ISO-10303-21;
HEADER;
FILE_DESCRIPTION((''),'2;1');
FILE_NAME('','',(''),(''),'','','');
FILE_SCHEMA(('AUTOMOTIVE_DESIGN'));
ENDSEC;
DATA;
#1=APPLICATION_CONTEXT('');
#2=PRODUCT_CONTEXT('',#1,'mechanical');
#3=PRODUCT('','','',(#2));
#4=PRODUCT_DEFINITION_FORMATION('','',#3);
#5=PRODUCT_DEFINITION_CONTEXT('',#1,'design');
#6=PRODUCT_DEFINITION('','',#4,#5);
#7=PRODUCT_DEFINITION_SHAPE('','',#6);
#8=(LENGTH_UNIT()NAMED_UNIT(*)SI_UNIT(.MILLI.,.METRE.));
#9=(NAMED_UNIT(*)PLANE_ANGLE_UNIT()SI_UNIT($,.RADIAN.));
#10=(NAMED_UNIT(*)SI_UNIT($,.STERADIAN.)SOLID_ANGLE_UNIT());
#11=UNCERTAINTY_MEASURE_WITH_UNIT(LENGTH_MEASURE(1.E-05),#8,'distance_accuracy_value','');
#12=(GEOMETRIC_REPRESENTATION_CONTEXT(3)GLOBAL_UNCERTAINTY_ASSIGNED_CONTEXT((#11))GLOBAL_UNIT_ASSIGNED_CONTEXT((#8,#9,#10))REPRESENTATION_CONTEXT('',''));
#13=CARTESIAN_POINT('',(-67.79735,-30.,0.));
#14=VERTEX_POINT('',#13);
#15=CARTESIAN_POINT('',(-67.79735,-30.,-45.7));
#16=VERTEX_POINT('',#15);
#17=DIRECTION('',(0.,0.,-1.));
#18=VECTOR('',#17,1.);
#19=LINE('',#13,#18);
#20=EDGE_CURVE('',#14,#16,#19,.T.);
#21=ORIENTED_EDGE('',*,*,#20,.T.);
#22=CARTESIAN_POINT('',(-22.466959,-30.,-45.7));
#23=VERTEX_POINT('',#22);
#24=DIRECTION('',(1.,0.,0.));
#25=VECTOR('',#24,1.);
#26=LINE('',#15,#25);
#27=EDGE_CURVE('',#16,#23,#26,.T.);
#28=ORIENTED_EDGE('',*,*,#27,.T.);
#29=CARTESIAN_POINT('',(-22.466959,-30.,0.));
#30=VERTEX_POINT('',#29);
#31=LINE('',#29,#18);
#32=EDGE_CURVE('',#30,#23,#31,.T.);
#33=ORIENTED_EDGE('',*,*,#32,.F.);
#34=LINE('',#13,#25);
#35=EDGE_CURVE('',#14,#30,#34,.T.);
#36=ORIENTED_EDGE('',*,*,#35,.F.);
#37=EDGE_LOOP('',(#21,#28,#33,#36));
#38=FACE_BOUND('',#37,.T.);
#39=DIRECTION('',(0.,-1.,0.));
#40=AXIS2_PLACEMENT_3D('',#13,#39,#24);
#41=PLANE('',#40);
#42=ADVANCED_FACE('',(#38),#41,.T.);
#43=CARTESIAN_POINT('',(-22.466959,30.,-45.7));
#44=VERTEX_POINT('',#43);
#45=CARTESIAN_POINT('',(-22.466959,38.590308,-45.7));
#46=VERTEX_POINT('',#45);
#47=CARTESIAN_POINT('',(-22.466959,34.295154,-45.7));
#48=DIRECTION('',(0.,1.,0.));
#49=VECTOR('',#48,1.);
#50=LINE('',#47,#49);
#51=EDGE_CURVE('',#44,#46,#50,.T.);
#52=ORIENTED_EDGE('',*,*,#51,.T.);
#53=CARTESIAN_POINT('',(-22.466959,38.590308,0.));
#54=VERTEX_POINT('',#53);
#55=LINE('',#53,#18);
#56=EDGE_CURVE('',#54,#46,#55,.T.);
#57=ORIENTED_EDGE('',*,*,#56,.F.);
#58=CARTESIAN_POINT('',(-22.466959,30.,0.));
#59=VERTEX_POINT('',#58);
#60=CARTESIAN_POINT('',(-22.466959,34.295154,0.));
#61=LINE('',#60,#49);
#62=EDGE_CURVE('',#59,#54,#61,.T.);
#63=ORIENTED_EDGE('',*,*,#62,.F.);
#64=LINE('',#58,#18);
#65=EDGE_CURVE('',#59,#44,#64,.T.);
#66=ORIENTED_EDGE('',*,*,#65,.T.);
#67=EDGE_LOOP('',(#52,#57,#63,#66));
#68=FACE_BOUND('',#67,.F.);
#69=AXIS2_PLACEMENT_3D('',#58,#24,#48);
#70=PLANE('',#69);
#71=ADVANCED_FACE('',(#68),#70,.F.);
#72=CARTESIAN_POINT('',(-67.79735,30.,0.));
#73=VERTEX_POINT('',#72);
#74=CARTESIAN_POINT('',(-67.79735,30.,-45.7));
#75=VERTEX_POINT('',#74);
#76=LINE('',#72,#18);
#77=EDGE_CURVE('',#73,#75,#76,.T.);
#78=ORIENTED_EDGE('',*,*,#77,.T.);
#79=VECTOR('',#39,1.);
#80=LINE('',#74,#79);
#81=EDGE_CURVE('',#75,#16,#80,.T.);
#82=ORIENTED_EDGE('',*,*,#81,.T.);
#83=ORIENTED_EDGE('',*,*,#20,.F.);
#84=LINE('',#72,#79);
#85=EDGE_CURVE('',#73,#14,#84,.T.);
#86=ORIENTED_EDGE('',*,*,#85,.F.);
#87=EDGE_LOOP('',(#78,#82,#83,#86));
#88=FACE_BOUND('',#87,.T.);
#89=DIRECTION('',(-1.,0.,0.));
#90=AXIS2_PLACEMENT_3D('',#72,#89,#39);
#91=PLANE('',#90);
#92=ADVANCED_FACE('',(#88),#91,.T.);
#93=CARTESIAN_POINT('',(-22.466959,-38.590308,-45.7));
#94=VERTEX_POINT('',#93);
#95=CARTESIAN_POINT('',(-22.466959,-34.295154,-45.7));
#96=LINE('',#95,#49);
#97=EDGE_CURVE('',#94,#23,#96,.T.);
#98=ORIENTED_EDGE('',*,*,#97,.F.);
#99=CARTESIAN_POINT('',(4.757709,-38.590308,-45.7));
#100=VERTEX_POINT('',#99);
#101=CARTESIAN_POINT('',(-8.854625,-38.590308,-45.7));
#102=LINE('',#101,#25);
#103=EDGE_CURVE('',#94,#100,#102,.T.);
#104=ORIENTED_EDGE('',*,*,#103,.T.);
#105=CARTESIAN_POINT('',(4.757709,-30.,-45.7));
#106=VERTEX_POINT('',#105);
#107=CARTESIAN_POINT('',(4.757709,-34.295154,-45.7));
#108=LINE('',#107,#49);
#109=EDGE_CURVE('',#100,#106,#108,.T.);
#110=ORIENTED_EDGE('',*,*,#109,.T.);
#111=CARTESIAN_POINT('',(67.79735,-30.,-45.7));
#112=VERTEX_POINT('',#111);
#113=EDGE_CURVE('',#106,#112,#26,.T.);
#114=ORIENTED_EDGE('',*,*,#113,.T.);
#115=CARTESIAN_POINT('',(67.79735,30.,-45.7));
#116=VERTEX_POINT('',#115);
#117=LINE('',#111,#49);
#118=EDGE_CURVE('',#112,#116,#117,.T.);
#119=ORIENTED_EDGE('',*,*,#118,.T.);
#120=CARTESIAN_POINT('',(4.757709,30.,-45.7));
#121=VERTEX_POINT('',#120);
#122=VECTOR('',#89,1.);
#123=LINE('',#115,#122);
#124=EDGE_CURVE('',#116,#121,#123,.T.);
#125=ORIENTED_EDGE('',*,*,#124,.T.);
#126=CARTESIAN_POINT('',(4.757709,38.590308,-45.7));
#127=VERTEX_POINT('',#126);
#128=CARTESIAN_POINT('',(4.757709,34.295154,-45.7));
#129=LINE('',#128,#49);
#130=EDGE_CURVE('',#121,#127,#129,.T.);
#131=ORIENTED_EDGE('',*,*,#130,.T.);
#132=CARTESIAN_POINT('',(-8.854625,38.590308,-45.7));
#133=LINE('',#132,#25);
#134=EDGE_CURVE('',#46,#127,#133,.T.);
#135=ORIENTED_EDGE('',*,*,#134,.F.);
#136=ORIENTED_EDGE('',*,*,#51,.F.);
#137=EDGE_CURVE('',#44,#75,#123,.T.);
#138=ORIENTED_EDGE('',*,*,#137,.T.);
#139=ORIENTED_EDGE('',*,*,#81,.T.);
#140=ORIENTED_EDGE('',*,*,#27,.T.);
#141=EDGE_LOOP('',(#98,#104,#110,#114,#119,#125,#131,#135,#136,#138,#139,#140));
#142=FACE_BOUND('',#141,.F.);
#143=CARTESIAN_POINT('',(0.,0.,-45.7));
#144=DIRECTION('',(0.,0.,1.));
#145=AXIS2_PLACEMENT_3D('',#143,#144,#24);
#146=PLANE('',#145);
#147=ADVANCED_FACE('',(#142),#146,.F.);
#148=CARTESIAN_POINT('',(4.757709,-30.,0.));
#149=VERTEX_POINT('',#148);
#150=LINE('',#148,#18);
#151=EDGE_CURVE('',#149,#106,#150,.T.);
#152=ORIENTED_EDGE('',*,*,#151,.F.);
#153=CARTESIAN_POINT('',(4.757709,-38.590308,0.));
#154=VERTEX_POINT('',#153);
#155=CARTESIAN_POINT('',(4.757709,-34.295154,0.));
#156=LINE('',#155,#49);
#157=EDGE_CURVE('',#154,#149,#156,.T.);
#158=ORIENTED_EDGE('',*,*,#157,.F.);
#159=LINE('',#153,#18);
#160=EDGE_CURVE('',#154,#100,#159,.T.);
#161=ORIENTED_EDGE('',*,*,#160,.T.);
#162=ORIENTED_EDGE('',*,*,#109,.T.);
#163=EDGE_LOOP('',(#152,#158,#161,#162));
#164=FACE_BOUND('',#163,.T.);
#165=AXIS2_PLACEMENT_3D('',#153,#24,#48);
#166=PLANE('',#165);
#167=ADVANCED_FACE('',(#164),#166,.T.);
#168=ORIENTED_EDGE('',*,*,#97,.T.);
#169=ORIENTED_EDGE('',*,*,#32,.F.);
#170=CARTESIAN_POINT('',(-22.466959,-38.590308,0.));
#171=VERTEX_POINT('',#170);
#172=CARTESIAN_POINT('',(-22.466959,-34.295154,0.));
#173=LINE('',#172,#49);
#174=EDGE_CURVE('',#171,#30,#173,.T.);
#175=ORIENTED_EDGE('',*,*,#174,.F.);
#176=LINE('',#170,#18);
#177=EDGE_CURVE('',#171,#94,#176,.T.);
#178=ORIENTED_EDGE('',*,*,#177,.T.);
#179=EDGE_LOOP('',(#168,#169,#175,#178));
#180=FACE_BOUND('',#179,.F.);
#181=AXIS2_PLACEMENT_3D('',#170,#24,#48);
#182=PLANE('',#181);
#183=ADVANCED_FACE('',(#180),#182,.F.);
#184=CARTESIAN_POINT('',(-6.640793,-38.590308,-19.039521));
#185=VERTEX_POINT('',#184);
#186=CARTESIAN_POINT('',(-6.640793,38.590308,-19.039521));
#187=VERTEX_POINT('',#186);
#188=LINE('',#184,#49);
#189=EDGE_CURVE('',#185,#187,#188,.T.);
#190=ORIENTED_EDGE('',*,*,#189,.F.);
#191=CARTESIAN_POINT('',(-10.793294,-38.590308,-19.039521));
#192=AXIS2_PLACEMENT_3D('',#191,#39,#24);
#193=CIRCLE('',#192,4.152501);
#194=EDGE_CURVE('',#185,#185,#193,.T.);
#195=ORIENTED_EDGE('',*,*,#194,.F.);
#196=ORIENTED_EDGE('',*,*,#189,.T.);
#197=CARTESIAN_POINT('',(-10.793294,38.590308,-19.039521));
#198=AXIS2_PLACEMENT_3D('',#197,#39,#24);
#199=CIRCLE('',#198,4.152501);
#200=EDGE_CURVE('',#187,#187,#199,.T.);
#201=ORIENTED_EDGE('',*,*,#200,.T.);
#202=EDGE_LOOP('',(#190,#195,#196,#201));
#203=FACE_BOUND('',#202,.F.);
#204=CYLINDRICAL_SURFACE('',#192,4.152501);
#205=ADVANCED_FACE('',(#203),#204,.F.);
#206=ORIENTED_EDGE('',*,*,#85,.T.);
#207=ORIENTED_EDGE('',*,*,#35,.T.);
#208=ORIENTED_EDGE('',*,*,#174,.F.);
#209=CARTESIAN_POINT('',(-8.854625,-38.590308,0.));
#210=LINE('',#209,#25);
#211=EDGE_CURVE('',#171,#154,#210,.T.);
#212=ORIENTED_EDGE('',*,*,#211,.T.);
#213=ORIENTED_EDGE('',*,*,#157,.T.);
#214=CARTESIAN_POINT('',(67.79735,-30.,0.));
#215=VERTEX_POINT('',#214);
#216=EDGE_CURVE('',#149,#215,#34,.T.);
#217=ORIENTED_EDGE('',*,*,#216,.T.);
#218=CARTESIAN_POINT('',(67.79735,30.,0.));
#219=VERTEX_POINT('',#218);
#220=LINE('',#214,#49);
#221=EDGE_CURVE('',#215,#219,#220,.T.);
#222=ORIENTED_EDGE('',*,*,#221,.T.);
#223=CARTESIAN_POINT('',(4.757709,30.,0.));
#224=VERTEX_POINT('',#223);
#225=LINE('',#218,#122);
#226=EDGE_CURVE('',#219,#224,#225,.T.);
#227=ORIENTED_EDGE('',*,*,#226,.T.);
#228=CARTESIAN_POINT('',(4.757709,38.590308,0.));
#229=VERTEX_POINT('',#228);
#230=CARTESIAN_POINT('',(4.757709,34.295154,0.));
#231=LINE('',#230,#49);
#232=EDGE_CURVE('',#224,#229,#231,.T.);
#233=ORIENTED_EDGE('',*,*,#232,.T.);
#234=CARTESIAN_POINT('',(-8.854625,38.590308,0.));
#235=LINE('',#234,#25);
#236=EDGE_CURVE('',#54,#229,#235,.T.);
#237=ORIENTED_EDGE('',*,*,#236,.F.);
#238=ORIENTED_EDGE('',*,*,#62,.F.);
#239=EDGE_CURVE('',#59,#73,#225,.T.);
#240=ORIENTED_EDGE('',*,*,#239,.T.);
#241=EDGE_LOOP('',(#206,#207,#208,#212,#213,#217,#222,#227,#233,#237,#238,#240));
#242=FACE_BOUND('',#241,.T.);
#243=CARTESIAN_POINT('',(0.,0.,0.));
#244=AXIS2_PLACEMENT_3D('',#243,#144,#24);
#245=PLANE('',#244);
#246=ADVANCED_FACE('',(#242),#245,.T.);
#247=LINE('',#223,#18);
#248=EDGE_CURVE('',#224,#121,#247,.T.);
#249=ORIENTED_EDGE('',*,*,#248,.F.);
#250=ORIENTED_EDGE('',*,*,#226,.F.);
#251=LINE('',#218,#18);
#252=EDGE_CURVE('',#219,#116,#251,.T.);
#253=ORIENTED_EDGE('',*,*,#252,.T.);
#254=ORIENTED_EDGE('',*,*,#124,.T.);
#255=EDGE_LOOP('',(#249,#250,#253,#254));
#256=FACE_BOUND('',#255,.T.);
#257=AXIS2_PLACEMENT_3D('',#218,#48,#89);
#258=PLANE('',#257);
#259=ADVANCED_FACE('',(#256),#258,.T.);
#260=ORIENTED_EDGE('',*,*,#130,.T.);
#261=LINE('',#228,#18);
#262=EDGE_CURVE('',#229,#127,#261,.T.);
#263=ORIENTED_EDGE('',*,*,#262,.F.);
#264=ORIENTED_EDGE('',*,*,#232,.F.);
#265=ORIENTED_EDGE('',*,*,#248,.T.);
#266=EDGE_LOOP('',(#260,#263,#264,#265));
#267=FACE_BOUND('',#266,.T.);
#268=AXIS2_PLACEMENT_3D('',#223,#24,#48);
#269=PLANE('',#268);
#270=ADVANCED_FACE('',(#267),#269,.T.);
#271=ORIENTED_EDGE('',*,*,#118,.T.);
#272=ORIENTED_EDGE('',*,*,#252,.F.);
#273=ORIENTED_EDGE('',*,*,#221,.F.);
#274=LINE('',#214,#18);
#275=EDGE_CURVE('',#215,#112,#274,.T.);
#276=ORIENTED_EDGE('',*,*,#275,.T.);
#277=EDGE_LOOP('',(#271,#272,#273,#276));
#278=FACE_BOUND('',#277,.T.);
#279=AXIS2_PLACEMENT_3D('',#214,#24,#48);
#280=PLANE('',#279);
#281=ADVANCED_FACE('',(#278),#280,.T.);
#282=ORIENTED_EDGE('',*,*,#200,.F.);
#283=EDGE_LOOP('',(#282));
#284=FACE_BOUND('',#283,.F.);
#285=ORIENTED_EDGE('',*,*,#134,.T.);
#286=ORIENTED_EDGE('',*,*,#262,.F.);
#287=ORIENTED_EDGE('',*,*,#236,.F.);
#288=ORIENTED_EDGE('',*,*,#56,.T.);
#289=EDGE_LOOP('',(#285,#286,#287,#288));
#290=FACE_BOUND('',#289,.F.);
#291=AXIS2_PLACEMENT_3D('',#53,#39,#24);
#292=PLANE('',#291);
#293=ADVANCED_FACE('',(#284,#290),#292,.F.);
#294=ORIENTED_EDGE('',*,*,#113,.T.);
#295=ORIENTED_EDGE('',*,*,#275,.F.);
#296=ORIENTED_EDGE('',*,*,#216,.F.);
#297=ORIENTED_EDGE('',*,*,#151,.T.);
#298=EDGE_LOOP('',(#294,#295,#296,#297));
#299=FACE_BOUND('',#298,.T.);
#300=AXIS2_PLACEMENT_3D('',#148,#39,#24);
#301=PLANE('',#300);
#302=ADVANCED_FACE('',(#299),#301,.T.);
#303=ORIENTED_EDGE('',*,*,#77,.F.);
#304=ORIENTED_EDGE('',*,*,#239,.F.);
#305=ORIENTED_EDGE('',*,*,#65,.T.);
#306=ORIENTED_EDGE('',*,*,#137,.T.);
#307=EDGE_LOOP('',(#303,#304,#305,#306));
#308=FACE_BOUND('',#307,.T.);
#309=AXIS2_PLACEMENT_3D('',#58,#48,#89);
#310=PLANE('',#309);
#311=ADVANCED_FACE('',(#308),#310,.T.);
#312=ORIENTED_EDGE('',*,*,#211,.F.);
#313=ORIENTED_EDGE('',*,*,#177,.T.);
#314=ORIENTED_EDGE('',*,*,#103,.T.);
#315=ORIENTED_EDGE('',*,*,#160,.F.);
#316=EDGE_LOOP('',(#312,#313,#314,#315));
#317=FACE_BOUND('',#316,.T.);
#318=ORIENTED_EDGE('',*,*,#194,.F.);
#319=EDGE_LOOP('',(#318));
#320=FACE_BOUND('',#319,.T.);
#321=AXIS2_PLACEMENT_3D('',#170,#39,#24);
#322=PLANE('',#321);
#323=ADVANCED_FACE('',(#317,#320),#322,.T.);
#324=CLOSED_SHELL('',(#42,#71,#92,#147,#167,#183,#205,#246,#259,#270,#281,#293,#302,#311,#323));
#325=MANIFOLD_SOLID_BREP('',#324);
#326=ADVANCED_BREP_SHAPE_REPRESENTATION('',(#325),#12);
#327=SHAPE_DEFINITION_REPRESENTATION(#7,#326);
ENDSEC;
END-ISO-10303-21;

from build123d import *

# Parameters (mm, degrees)
F0_W     = 27.224668
F0_H     = 8.590308
F1_DEPTH = 45.7
F2_R     = 4.152501
F3_DEPTH = 77.181616


with BuildPart() as f1:
    # F0 (on Top) → F1 (new body)
    with BuildSketch(Plane.XY):
        Polygon((4.757709, -30), (67.79735, -30), (67.79735, 30), (4.757709, 30), (-22.466959, 30), (-67.79735, 30), (-67.79735, -30), (-22.466959, -30), align=None)
        with Locations((-8.854625, 34.295154)):
            Rectangle(F0_W, F0_H)
        with Locations((-8.854625, -34.295154)):
            Rectangle(F0_W, F0_H)
    extrude(amount=-F1_DEPTH)

    # F2 (on face) → F3 (cut, through all)
    with BuildSketch(Plane.XZ.offset(38.590308)):
        with Locations((-10.793294, -19.039521)):
            Circle(F2_R)
    extrude(amount=-F3_DEPTH, mode=Mode.SUBTRACT)


solid = f1.part
